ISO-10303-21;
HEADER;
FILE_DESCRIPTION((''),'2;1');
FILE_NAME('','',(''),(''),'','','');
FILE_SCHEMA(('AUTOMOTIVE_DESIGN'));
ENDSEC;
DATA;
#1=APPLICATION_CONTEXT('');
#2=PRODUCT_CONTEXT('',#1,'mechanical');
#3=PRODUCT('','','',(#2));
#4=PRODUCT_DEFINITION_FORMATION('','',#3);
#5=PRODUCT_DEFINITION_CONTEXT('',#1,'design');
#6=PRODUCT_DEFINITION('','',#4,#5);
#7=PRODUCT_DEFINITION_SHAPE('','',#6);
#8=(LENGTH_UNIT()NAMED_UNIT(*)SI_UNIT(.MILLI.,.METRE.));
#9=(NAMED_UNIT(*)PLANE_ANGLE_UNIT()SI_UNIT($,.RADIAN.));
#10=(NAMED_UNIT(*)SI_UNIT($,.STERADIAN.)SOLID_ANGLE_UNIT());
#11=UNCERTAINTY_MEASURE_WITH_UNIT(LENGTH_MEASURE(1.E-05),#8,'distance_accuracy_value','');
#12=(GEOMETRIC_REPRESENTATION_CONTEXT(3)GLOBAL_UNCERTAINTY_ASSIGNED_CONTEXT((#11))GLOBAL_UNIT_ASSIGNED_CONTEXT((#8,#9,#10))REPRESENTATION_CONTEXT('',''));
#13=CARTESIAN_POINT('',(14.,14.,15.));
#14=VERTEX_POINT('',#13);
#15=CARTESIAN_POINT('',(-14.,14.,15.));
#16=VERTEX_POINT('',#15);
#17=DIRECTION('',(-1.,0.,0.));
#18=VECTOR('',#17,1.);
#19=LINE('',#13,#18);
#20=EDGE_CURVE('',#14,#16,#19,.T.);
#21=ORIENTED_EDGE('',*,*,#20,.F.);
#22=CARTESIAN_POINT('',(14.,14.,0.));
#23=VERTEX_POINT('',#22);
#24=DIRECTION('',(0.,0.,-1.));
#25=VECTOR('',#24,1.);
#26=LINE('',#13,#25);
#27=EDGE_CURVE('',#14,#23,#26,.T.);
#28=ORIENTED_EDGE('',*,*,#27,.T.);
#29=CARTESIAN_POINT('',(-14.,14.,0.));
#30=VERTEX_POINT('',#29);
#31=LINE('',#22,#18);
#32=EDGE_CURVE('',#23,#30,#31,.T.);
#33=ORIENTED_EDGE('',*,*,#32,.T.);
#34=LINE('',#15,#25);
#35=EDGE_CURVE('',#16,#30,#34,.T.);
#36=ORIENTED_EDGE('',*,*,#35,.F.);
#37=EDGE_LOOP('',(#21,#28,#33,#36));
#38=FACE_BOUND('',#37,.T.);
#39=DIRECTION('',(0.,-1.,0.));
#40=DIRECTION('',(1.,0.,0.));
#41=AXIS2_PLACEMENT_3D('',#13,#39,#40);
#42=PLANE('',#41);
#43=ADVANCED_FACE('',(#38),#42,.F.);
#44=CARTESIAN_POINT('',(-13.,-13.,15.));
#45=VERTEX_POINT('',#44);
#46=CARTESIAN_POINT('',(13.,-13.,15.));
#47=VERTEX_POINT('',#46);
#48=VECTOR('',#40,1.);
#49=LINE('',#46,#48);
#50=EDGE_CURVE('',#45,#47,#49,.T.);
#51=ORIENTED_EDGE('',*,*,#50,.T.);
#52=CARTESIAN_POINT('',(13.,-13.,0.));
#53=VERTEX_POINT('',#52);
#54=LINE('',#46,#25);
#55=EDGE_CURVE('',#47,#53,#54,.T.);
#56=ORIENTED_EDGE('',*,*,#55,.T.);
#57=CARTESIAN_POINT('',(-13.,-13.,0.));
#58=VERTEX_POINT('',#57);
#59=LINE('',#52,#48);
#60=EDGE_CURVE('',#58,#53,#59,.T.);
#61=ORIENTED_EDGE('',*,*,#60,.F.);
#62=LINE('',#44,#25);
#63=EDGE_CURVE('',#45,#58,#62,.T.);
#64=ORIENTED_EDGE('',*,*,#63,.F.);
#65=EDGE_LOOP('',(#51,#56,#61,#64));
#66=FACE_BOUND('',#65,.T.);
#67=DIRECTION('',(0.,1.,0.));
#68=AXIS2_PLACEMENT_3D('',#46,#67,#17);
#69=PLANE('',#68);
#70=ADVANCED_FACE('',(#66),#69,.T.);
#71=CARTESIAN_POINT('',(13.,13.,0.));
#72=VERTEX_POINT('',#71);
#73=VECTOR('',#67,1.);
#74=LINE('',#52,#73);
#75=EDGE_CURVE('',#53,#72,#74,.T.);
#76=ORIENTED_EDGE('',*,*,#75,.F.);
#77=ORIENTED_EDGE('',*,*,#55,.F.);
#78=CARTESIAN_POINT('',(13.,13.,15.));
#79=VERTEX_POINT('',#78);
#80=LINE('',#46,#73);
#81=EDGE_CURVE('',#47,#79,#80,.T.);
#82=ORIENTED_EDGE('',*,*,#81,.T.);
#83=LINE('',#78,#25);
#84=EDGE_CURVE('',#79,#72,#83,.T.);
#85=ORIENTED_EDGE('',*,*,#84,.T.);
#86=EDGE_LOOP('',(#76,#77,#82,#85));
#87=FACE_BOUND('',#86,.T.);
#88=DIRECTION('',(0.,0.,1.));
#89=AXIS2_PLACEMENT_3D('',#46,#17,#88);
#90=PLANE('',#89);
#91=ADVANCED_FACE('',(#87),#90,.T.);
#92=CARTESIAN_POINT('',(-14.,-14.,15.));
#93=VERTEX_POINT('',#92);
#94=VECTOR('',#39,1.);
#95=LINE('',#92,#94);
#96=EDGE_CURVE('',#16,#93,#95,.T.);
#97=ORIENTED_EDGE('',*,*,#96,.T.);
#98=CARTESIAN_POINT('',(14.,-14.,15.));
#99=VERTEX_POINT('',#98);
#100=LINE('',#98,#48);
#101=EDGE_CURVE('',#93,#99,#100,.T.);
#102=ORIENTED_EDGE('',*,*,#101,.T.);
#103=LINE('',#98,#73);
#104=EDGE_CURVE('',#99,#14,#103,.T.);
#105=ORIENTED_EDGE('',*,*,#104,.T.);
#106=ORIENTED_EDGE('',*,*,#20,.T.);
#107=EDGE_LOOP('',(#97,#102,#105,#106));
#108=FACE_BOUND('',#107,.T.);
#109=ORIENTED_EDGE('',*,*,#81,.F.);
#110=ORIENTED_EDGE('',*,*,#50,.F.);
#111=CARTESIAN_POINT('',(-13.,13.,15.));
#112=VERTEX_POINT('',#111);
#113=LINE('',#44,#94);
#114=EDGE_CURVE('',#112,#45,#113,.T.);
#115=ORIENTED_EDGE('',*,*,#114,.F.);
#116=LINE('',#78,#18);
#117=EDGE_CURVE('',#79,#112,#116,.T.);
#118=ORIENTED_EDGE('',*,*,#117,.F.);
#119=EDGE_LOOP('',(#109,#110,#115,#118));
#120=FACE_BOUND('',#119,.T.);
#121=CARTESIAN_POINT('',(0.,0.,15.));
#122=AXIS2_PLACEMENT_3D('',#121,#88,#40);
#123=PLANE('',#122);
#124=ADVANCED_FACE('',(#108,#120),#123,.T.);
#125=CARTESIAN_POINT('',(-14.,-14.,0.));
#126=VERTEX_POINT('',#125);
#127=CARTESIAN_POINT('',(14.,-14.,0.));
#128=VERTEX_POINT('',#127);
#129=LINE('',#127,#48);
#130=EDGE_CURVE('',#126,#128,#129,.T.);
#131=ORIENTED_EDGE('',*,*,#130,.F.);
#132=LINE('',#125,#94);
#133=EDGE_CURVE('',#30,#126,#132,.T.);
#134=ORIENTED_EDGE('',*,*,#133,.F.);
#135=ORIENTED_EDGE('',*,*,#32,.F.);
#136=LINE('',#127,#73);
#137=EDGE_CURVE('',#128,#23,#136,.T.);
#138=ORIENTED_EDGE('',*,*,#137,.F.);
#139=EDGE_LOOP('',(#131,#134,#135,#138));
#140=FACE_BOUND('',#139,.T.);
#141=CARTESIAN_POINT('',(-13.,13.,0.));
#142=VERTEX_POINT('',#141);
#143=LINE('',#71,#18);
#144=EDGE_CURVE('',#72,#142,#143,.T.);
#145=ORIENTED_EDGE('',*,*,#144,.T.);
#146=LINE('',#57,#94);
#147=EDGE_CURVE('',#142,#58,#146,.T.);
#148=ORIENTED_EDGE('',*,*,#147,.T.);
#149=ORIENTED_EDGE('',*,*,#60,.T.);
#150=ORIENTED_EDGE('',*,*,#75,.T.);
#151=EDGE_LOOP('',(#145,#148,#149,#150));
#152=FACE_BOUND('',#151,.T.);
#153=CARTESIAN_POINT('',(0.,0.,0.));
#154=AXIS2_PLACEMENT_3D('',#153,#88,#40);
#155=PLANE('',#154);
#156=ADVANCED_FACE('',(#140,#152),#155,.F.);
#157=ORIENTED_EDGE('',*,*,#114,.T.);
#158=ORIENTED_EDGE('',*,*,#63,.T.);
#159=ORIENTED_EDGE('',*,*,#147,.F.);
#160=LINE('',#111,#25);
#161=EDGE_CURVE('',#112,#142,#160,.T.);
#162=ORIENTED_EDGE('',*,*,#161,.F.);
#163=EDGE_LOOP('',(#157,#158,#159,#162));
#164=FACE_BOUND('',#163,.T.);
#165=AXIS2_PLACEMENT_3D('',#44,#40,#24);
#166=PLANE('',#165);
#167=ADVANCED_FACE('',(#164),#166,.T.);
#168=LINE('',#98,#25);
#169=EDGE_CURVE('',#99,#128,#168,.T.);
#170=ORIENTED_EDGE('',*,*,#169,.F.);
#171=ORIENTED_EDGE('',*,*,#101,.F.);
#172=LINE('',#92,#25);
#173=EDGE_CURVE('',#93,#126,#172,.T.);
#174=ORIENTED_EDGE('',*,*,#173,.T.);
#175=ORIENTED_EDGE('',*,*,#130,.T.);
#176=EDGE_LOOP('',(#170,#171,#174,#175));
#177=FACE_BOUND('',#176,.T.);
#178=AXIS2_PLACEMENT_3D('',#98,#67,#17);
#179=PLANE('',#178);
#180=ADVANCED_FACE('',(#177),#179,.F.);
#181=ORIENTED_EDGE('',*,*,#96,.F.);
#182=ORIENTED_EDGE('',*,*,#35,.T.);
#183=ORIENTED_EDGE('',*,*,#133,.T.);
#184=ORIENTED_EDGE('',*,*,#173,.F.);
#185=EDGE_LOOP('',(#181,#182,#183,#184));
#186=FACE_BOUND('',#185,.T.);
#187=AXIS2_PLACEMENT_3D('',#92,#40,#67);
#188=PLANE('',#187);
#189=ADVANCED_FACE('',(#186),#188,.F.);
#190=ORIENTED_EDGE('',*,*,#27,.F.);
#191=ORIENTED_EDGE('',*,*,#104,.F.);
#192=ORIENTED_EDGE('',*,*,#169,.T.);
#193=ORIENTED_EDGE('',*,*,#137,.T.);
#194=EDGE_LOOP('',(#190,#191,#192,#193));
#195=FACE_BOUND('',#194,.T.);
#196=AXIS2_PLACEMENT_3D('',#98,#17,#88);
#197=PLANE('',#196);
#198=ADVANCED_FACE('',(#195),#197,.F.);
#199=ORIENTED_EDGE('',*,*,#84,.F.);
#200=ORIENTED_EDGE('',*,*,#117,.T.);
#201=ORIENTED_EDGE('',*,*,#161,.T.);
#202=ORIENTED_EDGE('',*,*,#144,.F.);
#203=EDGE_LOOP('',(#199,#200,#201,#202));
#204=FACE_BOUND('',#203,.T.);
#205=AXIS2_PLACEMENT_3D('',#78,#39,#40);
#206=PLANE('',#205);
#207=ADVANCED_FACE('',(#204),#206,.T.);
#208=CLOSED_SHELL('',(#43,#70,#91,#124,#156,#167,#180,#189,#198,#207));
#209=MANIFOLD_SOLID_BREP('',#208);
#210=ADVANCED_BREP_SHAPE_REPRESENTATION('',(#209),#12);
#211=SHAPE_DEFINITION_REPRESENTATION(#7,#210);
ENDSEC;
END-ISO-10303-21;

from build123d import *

# Parameters (mm, degrees)
SKETCH1_W           = 28
SKETCH1_H           = 28
SKETCH1_W_2         = 26
SKETCH1_H_2         = 26
BOSS_EXTRUDE1_DEPTH = 15


with BuildPart() as part:
    # Sketch1 → Boss-Extrude1 (new body)
    with BuildSketch(Plane.XY):
        Rectangle(SKETCH1_W, SKETCH1_H)
        Rectangle(SKETCH1_W_2, SKETCH1_H_2, mode=Mode.SUBTRACT)
    extrude(amount=BOSS_EXTRUDE1_DEPTH)


solid = part.part
